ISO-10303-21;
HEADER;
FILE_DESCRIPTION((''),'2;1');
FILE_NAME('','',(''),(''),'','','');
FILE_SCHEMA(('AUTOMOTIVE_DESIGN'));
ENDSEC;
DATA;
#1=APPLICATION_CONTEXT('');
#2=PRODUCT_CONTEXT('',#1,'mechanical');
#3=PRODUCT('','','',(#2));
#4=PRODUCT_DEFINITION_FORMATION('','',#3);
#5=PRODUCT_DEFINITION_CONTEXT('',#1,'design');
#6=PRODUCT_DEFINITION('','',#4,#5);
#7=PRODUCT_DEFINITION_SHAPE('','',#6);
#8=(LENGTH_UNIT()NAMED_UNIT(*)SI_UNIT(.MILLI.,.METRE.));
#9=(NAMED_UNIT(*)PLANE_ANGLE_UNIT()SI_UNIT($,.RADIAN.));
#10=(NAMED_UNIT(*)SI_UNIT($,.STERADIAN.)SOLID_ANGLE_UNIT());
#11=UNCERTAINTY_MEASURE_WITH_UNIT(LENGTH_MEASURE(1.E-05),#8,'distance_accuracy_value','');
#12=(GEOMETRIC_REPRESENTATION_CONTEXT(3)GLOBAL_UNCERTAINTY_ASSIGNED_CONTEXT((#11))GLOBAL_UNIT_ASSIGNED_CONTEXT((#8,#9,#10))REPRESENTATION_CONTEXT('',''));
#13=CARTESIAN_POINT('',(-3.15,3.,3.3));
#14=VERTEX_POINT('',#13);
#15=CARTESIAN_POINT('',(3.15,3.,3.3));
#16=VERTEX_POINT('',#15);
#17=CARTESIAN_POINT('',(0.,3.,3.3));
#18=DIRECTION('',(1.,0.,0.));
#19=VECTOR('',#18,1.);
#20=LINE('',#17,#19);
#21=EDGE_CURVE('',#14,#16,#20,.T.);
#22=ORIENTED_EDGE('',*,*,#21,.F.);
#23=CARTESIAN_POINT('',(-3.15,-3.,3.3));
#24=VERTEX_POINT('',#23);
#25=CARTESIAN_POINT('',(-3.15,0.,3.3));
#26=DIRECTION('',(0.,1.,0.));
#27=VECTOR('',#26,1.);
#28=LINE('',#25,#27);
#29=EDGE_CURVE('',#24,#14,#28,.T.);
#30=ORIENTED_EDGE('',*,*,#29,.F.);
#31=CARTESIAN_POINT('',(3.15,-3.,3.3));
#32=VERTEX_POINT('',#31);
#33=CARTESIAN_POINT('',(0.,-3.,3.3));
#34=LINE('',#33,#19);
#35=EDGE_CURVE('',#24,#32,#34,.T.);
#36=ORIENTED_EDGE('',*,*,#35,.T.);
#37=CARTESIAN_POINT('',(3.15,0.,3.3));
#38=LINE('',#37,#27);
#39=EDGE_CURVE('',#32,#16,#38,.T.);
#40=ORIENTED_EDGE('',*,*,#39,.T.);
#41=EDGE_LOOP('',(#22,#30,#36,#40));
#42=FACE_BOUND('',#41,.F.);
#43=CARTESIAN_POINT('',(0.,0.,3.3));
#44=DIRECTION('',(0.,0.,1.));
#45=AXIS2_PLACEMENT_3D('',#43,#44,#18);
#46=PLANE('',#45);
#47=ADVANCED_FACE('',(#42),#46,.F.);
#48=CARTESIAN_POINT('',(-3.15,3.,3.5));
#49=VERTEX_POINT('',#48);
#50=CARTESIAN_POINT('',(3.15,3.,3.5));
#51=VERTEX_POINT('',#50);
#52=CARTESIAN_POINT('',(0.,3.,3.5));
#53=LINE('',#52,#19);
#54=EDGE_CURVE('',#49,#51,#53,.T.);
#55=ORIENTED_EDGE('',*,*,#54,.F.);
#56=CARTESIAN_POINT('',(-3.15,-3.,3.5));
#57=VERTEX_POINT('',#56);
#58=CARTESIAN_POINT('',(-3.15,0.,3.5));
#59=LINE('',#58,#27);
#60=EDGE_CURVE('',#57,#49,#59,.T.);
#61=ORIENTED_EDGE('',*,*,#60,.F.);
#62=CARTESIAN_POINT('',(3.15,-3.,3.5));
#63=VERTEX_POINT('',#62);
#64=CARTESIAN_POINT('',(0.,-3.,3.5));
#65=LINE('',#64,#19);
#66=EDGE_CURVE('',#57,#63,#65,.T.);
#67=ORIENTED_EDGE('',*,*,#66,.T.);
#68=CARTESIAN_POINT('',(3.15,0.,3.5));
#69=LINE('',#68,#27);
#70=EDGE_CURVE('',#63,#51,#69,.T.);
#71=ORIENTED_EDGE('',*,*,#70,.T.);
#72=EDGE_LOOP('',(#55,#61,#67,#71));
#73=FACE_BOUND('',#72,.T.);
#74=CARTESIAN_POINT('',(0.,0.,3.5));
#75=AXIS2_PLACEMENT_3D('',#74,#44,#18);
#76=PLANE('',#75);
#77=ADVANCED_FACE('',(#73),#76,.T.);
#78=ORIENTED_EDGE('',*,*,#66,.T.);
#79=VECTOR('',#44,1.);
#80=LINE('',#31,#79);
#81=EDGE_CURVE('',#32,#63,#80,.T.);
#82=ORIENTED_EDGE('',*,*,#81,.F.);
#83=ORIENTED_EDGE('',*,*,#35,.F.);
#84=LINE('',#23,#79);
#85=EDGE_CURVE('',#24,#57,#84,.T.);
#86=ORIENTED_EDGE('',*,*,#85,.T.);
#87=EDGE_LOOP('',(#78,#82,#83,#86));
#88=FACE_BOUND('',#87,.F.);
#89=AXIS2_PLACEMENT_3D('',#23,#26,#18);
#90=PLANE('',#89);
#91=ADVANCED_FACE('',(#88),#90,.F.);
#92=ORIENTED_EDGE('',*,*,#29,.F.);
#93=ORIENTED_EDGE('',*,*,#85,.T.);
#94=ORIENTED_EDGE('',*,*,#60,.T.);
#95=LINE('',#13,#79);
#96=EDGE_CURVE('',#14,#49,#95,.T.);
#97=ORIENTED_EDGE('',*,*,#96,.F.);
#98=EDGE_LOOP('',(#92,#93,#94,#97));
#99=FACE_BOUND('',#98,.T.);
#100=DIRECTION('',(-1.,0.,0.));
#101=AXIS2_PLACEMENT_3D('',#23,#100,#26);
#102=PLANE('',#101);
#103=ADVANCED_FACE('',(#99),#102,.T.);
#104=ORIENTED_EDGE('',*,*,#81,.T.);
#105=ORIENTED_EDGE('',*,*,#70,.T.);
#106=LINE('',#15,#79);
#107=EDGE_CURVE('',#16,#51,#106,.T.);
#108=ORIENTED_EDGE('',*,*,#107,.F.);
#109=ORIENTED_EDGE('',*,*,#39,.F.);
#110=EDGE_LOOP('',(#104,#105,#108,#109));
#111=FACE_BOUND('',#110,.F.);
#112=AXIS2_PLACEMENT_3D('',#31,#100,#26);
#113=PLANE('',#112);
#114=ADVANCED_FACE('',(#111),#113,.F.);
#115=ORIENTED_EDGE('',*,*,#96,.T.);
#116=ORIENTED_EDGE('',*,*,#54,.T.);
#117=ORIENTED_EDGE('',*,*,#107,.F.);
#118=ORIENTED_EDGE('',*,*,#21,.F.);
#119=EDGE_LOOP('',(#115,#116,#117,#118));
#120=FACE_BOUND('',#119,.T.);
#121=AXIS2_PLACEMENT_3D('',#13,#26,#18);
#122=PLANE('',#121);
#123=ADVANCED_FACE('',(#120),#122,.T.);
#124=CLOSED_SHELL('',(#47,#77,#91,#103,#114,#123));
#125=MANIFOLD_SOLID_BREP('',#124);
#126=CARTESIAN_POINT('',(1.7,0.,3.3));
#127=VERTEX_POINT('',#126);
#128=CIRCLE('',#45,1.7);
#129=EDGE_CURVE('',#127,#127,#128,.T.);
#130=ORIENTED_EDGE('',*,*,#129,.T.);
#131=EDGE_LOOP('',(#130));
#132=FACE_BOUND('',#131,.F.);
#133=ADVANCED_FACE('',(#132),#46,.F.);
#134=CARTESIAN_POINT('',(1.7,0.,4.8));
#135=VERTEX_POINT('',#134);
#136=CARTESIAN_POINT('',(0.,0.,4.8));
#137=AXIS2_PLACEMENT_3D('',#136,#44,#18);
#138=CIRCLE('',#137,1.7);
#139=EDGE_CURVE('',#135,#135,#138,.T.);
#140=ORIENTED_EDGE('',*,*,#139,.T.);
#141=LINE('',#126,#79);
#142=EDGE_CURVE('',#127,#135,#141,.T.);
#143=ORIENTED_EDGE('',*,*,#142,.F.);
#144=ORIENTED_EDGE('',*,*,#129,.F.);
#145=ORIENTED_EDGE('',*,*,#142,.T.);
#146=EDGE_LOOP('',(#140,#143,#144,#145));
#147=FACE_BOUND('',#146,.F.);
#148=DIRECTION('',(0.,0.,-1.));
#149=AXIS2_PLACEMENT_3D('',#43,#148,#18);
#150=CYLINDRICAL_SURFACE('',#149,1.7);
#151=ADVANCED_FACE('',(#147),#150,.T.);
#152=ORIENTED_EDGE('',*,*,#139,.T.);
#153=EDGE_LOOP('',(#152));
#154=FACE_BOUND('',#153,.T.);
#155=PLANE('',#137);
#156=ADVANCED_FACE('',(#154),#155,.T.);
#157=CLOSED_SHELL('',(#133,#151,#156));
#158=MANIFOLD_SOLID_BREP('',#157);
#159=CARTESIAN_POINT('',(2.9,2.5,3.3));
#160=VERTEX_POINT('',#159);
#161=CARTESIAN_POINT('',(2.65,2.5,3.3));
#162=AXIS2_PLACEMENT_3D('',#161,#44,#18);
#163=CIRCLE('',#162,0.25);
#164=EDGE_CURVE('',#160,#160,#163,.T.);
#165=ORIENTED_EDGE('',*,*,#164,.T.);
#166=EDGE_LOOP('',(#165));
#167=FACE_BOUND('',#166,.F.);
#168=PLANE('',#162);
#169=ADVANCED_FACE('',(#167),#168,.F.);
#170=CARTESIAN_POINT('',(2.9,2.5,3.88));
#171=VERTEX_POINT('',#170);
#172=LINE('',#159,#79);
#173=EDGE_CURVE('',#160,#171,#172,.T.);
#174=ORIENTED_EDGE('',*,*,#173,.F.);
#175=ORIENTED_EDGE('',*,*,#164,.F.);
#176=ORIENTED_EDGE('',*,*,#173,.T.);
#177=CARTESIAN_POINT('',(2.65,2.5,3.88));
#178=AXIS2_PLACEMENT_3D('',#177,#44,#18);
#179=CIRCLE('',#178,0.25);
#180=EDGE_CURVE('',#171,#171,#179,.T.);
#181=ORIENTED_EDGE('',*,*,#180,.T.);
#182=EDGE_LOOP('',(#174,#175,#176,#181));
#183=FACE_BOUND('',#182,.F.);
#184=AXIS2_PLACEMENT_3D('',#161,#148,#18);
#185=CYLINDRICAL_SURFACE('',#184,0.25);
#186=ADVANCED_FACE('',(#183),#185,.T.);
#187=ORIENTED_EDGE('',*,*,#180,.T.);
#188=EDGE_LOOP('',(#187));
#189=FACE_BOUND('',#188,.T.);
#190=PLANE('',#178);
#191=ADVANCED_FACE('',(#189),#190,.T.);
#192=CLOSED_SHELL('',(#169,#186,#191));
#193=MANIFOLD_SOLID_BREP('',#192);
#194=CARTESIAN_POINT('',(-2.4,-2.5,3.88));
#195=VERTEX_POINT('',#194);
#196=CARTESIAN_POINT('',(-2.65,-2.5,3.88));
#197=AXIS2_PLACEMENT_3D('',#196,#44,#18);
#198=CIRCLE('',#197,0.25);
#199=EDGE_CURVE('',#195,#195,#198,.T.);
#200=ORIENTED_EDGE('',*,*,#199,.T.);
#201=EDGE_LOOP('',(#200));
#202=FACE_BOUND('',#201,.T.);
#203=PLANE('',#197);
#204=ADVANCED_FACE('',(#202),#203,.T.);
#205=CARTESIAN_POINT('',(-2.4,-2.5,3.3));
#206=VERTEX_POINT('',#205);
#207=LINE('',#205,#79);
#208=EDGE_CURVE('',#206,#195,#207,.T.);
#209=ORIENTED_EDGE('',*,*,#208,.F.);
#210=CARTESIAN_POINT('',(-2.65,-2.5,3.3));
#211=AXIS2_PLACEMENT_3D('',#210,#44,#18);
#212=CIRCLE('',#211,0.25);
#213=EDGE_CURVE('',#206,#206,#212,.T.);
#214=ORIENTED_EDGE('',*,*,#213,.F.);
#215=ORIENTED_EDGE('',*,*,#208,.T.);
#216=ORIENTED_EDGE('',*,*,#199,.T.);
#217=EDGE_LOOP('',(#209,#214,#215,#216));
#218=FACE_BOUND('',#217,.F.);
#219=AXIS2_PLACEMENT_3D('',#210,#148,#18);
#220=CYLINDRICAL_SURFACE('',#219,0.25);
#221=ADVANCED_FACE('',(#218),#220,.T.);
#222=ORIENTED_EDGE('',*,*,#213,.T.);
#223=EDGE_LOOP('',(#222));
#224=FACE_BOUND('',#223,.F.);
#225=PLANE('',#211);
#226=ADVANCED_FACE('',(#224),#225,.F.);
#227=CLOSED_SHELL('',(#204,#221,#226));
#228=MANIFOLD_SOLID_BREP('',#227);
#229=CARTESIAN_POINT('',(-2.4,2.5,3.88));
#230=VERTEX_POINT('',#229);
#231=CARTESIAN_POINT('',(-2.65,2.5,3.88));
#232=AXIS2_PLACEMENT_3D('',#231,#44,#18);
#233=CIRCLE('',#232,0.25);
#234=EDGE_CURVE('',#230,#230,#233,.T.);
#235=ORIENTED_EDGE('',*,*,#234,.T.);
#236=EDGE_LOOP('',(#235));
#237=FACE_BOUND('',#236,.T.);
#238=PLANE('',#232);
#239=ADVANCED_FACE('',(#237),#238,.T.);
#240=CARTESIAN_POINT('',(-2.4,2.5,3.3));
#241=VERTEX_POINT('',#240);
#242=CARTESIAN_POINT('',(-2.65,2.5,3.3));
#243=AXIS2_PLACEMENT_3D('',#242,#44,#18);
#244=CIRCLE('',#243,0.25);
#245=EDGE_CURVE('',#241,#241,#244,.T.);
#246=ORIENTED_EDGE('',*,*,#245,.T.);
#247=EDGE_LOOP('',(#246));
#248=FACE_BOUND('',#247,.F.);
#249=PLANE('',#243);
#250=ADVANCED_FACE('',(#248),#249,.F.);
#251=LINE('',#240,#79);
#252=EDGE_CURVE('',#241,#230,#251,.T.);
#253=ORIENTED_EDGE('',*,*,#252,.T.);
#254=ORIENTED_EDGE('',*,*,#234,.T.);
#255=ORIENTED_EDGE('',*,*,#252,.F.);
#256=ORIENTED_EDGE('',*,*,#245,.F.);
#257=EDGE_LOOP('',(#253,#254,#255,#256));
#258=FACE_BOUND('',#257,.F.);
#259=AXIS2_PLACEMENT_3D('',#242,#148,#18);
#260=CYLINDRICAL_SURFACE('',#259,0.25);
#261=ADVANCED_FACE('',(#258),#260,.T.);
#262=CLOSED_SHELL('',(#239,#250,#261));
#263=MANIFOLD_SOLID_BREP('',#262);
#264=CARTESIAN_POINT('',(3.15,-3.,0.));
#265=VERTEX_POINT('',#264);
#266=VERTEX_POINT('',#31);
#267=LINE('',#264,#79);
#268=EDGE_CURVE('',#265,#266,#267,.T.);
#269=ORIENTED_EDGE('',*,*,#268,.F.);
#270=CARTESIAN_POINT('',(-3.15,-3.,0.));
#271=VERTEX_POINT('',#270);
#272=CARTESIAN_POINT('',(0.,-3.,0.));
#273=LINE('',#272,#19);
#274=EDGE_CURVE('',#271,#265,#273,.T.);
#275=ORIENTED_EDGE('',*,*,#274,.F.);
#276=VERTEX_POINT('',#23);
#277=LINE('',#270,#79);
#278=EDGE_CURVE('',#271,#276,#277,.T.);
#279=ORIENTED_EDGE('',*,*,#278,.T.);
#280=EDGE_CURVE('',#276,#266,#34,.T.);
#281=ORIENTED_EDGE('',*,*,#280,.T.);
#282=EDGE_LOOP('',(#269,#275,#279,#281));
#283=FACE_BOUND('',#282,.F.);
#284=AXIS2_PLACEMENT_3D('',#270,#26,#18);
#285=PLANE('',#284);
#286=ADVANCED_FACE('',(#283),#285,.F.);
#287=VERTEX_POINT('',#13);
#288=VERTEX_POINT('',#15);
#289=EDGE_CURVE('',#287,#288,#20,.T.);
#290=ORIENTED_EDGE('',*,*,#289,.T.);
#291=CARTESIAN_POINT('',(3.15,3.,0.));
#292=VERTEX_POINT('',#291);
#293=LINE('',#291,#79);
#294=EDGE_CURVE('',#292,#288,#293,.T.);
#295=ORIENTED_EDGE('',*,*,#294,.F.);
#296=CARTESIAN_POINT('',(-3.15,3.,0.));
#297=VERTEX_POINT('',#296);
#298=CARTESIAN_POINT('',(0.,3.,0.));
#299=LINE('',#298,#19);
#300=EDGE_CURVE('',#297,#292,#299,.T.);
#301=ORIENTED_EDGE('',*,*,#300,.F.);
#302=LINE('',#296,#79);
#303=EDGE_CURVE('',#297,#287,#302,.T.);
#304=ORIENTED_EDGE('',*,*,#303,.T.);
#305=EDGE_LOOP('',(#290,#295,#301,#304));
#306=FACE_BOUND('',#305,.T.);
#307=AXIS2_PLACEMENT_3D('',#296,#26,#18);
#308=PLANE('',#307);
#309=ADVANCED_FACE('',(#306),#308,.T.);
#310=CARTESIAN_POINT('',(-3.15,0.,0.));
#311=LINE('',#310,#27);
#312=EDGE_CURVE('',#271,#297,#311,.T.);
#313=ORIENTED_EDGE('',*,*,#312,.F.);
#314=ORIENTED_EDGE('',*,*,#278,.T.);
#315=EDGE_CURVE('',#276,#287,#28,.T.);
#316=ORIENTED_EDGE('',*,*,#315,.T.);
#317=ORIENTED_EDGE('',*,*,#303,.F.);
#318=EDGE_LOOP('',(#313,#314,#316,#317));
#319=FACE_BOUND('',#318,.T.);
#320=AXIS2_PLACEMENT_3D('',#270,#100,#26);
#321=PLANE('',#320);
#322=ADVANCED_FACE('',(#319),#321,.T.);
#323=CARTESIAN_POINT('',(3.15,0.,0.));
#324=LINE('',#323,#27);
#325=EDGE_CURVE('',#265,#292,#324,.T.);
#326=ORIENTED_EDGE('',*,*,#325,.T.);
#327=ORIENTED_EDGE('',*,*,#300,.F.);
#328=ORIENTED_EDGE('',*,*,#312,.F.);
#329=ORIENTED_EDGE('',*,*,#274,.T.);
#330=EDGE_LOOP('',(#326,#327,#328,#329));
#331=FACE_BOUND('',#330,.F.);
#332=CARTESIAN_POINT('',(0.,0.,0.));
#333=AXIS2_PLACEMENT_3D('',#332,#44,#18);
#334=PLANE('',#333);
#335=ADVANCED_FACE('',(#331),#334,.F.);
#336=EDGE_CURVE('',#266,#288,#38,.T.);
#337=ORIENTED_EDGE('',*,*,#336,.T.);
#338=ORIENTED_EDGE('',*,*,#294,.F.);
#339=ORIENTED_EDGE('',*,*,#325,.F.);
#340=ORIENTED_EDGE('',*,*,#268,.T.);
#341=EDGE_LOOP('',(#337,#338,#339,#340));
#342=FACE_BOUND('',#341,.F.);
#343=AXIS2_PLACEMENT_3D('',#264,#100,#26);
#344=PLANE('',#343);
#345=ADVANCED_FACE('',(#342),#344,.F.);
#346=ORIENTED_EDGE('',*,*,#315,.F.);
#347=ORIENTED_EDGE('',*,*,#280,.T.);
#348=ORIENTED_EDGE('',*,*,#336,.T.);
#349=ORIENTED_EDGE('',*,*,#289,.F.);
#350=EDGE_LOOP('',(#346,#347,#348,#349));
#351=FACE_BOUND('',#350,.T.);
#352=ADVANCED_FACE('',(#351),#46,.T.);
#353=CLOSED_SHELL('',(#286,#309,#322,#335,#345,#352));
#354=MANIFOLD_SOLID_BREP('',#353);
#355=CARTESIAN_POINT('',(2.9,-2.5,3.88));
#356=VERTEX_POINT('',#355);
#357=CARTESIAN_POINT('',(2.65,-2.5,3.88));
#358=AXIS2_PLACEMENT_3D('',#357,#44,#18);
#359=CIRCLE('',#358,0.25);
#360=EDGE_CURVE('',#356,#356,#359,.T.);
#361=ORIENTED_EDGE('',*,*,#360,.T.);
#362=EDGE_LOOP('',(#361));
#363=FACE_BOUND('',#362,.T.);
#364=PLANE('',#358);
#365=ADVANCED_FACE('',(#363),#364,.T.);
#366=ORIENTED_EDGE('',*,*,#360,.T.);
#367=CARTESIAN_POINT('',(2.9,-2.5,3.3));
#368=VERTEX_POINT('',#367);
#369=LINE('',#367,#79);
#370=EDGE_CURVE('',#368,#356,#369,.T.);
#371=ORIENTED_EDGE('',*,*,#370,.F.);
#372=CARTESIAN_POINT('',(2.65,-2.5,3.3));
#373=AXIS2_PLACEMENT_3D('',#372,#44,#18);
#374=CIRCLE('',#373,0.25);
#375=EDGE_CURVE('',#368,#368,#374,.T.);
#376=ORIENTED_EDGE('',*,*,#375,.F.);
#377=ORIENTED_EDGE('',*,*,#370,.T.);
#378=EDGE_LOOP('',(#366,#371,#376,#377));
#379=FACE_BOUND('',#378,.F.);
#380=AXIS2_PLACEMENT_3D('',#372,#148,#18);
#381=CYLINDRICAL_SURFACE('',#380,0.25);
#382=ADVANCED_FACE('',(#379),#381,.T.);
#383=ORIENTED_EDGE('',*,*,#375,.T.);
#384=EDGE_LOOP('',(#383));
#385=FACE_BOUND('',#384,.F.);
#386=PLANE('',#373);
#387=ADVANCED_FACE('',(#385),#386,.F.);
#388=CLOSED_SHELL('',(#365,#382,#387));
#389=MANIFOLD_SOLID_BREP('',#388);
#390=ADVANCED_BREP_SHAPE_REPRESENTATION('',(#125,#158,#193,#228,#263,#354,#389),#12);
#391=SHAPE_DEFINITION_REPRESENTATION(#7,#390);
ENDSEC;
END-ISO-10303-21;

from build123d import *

# Parameters (mm, degrees)
F0_W     = 6.3
F0_H     = 6
F1_DEPTH = 3.3
F2_W     = 6.3
F2_H     = 6
F3_DEPTH = 0.2
F4_R     = 1.7
F5_DEPTH = 1.5
F4_R_2   = 0.25
F6_DEPTH = 0.58


with BuildPart() as f1:
    # F0 (on Top) → F1 (new body)
    with BuildSketch(Plane.XY):
        Rectangle(F0_W, F0_H)
    extrude(amount=F1_DEPTH)


with BuildPart() as f3:
    # F2 (on face) → F3 (new body)
    with BuildSketch(Plane.XY.offset(3.3)):
        Rectangle(F2_W, F2_H)
    extrude(amount=F3_DEPTH)


with BuildPart() as f5:
    # F4 (on face) → F5 (new body)
    with BuildSketch(Plane.XY.offset(3.3)):
        Circle(F4_R)
    extrude(amount=F5_DEPTH)


with BuildPart() as f6:
    # F4 (on face) → F6 (new body)
    with BuildSketch(Plane.XY.offset(3.3)):
        with Locations((-2.65, 2.5)):
            Circle(F4_R_2)
        with Locations((2.65, 2.5)):
            Circle(F4_R_2)
        with Locations((2.65, -2.5)):
            Circle(F4_R_2)
        with Locations((-2.65, -2.5)):
            Circle(F4_R_2)
    extrude(amount=F6_DEPTH)


solid = Compound([f1.part, f3.part, f5.part, f6.part])
